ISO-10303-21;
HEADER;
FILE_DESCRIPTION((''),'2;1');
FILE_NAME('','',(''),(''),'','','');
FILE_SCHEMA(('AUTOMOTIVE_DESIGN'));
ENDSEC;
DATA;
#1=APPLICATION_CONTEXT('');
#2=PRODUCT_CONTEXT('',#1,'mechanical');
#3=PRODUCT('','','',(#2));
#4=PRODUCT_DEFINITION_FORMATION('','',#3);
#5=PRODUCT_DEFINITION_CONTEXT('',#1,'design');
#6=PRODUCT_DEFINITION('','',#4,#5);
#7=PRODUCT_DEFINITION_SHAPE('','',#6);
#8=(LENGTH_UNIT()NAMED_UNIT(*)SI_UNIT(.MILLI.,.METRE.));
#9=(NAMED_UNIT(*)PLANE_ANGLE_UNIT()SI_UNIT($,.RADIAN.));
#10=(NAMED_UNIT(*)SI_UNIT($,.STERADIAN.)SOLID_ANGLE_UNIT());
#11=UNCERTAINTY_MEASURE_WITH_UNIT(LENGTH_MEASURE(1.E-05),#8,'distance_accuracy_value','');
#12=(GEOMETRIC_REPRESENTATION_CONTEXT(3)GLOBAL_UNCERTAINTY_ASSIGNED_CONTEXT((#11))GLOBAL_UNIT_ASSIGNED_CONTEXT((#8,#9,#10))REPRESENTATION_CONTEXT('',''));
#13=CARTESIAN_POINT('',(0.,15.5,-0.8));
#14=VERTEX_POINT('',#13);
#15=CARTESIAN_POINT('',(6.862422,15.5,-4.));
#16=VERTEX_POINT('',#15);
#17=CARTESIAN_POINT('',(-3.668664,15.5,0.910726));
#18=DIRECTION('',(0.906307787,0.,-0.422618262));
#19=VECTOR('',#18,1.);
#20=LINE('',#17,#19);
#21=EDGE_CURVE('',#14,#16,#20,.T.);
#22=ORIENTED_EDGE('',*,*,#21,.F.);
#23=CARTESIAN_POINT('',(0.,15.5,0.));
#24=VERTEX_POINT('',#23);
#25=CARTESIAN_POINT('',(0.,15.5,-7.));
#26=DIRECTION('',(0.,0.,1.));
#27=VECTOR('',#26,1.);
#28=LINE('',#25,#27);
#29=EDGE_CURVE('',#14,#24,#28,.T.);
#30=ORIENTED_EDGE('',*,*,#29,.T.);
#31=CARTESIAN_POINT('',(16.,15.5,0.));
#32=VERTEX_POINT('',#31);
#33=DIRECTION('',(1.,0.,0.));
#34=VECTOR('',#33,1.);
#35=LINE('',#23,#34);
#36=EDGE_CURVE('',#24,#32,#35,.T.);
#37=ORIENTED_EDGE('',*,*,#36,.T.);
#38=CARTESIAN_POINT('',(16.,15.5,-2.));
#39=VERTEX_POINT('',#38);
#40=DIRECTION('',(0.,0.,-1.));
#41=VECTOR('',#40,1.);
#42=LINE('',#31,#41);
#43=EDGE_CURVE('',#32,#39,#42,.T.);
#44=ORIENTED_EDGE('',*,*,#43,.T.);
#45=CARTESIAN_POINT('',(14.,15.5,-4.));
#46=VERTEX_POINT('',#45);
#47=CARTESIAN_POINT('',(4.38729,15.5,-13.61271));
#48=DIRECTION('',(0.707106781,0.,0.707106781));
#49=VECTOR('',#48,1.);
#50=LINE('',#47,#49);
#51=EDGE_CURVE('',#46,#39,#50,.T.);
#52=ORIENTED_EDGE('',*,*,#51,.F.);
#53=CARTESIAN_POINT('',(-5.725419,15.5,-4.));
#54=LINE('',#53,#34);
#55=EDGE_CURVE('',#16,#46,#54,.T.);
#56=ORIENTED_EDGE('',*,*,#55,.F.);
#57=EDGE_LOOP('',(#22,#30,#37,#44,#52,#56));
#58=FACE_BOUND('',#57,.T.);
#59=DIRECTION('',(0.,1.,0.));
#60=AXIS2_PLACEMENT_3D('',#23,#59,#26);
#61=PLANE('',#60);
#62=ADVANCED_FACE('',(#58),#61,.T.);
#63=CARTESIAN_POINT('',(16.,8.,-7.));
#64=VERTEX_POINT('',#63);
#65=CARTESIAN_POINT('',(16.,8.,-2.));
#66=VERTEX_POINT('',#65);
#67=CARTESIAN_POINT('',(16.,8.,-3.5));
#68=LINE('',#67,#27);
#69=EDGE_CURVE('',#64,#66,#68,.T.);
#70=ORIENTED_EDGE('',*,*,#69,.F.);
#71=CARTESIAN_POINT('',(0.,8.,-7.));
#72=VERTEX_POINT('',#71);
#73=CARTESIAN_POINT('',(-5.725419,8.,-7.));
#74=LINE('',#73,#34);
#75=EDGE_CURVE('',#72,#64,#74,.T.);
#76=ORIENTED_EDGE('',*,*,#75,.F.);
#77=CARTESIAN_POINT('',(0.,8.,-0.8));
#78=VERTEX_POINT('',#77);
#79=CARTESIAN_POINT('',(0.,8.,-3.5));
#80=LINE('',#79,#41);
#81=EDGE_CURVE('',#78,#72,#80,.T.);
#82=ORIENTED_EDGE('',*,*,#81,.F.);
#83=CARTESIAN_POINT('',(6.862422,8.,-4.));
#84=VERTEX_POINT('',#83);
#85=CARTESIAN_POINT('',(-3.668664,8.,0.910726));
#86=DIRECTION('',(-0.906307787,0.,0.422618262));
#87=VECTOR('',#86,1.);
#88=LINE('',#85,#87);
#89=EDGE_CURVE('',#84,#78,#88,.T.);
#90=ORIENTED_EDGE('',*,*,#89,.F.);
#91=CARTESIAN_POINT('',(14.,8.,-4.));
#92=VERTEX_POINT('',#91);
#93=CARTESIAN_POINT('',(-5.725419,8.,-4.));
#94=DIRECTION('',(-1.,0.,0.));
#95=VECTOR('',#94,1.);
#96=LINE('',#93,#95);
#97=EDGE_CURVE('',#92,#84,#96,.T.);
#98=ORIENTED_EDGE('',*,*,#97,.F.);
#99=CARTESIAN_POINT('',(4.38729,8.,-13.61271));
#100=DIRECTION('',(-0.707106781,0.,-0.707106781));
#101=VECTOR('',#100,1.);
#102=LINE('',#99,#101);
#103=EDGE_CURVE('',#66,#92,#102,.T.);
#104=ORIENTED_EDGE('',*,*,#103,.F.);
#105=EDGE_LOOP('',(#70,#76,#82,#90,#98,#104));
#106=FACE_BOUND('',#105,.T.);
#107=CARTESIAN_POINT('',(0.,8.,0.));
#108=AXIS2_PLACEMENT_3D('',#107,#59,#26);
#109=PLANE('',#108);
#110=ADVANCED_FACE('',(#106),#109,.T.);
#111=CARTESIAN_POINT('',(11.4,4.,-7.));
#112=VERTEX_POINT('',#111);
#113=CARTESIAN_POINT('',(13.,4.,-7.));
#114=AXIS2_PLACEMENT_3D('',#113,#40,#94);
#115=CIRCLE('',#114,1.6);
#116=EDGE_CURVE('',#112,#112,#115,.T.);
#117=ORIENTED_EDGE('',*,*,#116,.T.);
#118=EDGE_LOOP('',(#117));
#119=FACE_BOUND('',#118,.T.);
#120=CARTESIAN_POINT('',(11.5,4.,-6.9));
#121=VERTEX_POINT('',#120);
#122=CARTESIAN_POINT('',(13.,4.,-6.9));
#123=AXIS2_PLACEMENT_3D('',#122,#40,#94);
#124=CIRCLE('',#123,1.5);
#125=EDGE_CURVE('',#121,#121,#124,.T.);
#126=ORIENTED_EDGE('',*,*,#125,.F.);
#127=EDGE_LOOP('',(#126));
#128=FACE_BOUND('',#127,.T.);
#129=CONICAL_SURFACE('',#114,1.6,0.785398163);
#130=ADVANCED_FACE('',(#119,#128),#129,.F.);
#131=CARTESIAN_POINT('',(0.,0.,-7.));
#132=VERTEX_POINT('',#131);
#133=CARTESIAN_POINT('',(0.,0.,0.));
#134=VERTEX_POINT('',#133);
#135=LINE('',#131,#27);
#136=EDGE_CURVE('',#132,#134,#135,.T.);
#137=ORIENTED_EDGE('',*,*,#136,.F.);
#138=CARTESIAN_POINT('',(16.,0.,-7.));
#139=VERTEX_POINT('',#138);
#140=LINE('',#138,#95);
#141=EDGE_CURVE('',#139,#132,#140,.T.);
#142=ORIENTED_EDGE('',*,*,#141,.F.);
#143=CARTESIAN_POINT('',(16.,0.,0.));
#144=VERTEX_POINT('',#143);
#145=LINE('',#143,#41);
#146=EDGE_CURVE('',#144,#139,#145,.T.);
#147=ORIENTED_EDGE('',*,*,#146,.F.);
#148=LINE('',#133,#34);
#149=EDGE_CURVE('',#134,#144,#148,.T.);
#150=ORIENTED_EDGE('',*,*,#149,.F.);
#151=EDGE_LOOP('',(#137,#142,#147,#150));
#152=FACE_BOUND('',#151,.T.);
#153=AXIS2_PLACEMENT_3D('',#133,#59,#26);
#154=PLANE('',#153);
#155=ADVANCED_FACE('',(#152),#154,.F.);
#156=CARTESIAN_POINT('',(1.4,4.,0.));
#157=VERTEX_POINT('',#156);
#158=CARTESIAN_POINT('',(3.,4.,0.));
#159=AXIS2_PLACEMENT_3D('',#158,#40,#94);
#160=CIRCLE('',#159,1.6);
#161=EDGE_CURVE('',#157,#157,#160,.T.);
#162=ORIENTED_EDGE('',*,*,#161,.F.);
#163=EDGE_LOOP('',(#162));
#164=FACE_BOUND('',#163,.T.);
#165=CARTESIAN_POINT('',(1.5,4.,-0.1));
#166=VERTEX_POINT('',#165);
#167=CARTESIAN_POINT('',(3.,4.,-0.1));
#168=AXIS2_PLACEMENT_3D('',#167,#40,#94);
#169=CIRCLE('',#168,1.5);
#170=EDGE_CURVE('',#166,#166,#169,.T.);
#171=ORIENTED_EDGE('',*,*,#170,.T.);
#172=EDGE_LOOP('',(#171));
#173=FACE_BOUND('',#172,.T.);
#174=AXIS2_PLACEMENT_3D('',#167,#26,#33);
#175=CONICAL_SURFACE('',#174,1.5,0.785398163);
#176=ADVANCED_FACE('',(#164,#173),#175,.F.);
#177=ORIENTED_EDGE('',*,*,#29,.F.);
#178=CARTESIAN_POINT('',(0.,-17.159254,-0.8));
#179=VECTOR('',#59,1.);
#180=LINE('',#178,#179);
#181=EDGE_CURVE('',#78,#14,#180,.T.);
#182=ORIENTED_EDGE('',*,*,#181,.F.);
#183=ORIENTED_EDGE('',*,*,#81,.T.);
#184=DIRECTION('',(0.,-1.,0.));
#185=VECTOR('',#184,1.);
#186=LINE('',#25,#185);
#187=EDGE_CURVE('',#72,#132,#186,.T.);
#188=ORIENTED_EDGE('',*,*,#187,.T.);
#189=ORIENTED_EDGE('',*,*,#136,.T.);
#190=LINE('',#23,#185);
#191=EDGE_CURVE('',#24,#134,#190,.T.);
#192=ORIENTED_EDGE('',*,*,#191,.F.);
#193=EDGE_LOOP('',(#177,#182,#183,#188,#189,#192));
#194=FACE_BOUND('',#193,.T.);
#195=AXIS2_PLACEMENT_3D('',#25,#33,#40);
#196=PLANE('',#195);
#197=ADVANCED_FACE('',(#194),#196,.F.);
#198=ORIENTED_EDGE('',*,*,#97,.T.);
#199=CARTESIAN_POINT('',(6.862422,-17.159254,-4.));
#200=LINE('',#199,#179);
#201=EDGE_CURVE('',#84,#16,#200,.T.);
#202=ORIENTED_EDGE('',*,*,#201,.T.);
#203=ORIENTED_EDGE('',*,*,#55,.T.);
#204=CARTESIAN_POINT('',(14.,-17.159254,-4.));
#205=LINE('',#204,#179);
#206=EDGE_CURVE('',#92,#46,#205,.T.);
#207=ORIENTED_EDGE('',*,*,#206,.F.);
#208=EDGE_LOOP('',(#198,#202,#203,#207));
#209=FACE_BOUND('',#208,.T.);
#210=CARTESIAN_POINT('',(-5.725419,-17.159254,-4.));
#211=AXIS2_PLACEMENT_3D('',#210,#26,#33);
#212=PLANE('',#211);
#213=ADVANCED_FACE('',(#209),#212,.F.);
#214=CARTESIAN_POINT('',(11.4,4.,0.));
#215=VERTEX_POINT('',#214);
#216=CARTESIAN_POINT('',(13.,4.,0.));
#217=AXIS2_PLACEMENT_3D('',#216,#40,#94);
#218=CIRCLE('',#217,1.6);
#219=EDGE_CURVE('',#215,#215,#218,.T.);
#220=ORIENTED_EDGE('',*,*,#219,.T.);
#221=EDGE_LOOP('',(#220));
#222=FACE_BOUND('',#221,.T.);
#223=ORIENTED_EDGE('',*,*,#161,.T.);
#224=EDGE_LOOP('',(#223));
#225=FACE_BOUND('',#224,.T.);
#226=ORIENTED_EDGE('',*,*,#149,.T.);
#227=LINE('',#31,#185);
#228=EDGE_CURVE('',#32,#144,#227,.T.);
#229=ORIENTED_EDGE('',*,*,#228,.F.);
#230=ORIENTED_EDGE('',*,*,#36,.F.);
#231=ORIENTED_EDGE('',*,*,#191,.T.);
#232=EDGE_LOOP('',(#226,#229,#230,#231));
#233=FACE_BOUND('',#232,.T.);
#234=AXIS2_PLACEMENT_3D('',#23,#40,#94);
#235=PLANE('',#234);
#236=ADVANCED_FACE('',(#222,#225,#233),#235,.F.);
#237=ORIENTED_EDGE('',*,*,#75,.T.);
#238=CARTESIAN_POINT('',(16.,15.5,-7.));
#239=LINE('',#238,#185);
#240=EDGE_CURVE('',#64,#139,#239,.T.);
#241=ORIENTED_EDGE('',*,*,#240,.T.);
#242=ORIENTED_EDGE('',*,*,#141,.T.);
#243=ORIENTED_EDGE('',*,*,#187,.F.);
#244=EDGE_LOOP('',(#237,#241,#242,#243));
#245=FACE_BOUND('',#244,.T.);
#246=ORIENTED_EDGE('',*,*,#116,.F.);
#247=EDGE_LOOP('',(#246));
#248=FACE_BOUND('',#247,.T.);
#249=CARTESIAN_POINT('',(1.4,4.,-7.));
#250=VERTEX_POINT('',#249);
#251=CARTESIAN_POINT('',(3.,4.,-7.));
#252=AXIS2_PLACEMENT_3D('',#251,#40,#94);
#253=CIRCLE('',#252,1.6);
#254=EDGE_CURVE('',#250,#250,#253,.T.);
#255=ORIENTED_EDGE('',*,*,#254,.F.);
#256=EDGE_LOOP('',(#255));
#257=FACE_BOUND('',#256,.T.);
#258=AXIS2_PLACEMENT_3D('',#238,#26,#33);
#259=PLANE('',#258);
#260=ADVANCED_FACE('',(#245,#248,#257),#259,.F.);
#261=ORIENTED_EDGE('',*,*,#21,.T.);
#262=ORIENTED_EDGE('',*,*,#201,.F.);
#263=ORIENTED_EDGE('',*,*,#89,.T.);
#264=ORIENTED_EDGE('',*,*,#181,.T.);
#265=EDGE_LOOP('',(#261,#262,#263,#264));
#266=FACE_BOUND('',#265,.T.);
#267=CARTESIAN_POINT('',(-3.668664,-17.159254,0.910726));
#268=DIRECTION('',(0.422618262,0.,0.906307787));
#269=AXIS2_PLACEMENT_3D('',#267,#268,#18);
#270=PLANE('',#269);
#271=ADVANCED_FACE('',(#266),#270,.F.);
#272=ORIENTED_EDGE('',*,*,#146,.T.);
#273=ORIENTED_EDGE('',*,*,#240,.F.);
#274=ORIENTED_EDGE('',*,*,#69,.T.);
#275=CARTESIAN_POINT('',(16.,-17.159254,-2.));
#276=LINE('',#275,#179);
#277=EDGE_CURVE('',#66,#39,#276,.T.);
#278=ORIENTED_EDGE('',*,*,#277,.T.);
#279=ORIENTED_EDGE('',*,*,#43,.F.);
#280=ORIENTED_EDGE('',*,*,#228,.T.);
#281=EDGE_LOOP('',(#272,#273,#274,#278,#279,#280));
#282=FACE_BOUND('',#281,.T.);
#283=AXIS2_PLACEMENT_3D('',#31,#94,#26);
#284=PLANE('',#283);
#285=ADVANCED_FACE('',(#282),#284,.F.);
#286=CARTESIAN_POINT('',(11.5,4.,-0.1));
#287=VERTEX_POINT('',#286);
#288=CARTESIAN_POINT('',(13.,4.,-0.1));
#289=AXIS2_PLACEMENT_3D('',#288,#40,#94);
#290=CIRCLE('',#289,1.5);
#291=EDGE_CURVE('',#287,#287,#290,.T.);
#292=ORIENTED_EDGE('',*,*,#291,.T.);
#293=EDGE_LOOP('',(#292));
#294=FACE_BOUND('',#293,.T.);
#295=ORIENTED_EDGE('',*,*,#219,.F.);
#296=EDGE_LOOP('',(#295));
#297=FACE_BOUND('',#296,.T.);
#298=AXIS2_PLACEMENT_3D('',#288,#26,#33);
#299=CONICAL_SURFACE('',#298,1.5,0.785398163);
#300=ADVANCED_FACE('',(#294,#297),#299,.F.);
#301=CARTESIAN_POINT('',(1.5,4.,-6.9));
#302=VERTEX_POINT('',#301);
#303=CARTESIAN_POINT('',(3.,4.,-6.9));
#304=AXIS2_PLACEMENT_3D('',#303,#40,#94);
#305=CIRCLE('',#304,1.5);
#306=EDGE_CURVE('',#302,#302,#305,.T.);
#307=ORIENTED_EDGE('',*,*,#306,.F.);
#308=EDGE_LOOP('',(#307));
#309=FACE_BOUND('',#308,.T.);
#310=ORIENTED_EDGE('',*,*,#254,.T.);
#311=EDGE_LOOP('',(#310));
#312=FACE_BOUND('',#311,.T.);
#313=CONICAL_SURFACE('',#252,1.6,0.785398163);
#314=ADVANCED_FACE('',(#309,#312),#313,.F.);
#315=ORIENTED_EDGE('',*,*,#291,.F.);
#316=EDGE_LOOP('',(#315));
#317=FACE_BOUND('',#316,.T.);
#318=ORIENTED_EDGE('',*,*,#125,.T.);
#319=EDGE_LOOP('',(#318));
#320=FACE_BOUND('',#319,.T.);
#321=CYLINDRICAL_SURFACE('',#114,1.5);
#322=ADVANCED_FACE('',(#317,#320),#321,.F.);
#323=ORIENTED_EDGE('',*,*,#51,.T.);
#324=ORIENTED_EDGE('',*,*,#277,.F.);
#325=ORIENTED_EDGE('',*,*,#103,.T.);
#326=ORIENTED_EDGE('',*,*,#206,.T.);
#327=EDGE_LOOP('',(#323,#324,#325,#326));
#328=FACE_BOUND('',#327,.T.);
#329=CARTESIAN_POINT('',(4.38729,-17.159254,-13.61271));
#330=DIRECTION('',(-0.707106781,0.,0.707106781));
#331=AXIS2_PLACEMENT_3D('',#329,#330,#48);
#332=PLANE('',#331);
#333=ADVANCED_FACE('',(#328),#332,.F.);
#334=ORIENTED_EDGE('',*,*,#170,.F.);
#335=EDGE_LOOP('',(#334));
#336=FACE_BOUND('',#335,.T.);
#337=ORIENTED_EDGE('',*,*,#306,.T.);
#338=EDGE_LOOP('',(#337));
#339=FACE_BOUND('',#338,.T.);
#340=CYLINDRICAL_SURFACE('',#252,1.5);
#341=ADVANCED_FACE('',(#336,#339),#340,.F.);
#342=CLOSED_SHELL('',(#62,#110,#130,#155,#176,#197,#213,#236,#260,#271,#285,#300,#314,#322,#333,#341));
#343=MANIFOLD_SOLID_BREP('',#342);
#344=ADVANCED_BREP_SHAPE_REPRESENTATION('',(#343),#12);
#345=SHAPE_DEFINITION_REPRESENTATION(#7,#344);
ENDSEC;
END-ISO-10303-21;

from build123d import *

# Parameters (mm, degrees)
SKETCH_1_W          = 16
SKETCH_1_H          = 7
EXTRUDE_1_DEPTH     = 15.5
CUT_EXTRUDE_1_DEPTH = 7.5
M3X0_51_AT_2_COUNT  = 2
M3X0_51_AT_2_PITCH  = 10


with BuildPart() as part:
    # Эскиз1 → Бобышка-Вытянуть1 (new body)
    with BuildSketch(Plane(origin=(0, 0, 0), x_dir=(1, 0, 0), z_dir=(0, 1, 0))):
        with Locations((8, 3.5)):
            Rectangle(SKETCH_1_W, SKETCH_1_H)
    extrude(amount=EXTRUDE_1_DEPTH)

    # Эскиз2 → Вырез-Вытянуть1 (cut)
    with BuildSketch(Plane(origin=(0, 15.5, 0), x_dir=(1, 0, 0), z_dir=(0, 1, 0))):
        Polygon((-40.166209025, -17.929810867), (0, 0.8), (6.862422146, 4), (14, 4), (16, 2), (47.337917628, -29.337917628), (58.796749642, 58.555289271), (-28.70737701, 69.963396032), align=None)
    extrude(amount=-CUT_EXTRUDE_1_DEPTH, mode=Mode.SUBTRACT)

    # Эскиз3 → Отверстие обработанное метчиком M3x0.51 (revolve, cut)
    with BuildSketch(Plane(origin=(3, 4, -7), x_dir=(0, 1, 0), z_dir=(1, 0, 0))):
        Polygon((0, 0), (0, 7), (1.6, 7), (1.5, 6.9), (1.5, 0.1), (1.6, 0), align=None)
    m3x0_51 = revolve(axis=Axis((3, 4, -13.35), (0, 0, 1)), mode=Mode.SUBTRACT)

    # Отверстие обработанное метчиком M3x0.51 at 2: Отверстие обработанное метчиком M3x0.51 ×2
    with Locations(*[(i * M3X0_51_AT_2_PITCH, 0, 0) for i in range(1, M3X0_51_AT_2_COUNT)]):
        add(m3x0_51, mode=Mode.SUBTRACT)


solid = part.part
